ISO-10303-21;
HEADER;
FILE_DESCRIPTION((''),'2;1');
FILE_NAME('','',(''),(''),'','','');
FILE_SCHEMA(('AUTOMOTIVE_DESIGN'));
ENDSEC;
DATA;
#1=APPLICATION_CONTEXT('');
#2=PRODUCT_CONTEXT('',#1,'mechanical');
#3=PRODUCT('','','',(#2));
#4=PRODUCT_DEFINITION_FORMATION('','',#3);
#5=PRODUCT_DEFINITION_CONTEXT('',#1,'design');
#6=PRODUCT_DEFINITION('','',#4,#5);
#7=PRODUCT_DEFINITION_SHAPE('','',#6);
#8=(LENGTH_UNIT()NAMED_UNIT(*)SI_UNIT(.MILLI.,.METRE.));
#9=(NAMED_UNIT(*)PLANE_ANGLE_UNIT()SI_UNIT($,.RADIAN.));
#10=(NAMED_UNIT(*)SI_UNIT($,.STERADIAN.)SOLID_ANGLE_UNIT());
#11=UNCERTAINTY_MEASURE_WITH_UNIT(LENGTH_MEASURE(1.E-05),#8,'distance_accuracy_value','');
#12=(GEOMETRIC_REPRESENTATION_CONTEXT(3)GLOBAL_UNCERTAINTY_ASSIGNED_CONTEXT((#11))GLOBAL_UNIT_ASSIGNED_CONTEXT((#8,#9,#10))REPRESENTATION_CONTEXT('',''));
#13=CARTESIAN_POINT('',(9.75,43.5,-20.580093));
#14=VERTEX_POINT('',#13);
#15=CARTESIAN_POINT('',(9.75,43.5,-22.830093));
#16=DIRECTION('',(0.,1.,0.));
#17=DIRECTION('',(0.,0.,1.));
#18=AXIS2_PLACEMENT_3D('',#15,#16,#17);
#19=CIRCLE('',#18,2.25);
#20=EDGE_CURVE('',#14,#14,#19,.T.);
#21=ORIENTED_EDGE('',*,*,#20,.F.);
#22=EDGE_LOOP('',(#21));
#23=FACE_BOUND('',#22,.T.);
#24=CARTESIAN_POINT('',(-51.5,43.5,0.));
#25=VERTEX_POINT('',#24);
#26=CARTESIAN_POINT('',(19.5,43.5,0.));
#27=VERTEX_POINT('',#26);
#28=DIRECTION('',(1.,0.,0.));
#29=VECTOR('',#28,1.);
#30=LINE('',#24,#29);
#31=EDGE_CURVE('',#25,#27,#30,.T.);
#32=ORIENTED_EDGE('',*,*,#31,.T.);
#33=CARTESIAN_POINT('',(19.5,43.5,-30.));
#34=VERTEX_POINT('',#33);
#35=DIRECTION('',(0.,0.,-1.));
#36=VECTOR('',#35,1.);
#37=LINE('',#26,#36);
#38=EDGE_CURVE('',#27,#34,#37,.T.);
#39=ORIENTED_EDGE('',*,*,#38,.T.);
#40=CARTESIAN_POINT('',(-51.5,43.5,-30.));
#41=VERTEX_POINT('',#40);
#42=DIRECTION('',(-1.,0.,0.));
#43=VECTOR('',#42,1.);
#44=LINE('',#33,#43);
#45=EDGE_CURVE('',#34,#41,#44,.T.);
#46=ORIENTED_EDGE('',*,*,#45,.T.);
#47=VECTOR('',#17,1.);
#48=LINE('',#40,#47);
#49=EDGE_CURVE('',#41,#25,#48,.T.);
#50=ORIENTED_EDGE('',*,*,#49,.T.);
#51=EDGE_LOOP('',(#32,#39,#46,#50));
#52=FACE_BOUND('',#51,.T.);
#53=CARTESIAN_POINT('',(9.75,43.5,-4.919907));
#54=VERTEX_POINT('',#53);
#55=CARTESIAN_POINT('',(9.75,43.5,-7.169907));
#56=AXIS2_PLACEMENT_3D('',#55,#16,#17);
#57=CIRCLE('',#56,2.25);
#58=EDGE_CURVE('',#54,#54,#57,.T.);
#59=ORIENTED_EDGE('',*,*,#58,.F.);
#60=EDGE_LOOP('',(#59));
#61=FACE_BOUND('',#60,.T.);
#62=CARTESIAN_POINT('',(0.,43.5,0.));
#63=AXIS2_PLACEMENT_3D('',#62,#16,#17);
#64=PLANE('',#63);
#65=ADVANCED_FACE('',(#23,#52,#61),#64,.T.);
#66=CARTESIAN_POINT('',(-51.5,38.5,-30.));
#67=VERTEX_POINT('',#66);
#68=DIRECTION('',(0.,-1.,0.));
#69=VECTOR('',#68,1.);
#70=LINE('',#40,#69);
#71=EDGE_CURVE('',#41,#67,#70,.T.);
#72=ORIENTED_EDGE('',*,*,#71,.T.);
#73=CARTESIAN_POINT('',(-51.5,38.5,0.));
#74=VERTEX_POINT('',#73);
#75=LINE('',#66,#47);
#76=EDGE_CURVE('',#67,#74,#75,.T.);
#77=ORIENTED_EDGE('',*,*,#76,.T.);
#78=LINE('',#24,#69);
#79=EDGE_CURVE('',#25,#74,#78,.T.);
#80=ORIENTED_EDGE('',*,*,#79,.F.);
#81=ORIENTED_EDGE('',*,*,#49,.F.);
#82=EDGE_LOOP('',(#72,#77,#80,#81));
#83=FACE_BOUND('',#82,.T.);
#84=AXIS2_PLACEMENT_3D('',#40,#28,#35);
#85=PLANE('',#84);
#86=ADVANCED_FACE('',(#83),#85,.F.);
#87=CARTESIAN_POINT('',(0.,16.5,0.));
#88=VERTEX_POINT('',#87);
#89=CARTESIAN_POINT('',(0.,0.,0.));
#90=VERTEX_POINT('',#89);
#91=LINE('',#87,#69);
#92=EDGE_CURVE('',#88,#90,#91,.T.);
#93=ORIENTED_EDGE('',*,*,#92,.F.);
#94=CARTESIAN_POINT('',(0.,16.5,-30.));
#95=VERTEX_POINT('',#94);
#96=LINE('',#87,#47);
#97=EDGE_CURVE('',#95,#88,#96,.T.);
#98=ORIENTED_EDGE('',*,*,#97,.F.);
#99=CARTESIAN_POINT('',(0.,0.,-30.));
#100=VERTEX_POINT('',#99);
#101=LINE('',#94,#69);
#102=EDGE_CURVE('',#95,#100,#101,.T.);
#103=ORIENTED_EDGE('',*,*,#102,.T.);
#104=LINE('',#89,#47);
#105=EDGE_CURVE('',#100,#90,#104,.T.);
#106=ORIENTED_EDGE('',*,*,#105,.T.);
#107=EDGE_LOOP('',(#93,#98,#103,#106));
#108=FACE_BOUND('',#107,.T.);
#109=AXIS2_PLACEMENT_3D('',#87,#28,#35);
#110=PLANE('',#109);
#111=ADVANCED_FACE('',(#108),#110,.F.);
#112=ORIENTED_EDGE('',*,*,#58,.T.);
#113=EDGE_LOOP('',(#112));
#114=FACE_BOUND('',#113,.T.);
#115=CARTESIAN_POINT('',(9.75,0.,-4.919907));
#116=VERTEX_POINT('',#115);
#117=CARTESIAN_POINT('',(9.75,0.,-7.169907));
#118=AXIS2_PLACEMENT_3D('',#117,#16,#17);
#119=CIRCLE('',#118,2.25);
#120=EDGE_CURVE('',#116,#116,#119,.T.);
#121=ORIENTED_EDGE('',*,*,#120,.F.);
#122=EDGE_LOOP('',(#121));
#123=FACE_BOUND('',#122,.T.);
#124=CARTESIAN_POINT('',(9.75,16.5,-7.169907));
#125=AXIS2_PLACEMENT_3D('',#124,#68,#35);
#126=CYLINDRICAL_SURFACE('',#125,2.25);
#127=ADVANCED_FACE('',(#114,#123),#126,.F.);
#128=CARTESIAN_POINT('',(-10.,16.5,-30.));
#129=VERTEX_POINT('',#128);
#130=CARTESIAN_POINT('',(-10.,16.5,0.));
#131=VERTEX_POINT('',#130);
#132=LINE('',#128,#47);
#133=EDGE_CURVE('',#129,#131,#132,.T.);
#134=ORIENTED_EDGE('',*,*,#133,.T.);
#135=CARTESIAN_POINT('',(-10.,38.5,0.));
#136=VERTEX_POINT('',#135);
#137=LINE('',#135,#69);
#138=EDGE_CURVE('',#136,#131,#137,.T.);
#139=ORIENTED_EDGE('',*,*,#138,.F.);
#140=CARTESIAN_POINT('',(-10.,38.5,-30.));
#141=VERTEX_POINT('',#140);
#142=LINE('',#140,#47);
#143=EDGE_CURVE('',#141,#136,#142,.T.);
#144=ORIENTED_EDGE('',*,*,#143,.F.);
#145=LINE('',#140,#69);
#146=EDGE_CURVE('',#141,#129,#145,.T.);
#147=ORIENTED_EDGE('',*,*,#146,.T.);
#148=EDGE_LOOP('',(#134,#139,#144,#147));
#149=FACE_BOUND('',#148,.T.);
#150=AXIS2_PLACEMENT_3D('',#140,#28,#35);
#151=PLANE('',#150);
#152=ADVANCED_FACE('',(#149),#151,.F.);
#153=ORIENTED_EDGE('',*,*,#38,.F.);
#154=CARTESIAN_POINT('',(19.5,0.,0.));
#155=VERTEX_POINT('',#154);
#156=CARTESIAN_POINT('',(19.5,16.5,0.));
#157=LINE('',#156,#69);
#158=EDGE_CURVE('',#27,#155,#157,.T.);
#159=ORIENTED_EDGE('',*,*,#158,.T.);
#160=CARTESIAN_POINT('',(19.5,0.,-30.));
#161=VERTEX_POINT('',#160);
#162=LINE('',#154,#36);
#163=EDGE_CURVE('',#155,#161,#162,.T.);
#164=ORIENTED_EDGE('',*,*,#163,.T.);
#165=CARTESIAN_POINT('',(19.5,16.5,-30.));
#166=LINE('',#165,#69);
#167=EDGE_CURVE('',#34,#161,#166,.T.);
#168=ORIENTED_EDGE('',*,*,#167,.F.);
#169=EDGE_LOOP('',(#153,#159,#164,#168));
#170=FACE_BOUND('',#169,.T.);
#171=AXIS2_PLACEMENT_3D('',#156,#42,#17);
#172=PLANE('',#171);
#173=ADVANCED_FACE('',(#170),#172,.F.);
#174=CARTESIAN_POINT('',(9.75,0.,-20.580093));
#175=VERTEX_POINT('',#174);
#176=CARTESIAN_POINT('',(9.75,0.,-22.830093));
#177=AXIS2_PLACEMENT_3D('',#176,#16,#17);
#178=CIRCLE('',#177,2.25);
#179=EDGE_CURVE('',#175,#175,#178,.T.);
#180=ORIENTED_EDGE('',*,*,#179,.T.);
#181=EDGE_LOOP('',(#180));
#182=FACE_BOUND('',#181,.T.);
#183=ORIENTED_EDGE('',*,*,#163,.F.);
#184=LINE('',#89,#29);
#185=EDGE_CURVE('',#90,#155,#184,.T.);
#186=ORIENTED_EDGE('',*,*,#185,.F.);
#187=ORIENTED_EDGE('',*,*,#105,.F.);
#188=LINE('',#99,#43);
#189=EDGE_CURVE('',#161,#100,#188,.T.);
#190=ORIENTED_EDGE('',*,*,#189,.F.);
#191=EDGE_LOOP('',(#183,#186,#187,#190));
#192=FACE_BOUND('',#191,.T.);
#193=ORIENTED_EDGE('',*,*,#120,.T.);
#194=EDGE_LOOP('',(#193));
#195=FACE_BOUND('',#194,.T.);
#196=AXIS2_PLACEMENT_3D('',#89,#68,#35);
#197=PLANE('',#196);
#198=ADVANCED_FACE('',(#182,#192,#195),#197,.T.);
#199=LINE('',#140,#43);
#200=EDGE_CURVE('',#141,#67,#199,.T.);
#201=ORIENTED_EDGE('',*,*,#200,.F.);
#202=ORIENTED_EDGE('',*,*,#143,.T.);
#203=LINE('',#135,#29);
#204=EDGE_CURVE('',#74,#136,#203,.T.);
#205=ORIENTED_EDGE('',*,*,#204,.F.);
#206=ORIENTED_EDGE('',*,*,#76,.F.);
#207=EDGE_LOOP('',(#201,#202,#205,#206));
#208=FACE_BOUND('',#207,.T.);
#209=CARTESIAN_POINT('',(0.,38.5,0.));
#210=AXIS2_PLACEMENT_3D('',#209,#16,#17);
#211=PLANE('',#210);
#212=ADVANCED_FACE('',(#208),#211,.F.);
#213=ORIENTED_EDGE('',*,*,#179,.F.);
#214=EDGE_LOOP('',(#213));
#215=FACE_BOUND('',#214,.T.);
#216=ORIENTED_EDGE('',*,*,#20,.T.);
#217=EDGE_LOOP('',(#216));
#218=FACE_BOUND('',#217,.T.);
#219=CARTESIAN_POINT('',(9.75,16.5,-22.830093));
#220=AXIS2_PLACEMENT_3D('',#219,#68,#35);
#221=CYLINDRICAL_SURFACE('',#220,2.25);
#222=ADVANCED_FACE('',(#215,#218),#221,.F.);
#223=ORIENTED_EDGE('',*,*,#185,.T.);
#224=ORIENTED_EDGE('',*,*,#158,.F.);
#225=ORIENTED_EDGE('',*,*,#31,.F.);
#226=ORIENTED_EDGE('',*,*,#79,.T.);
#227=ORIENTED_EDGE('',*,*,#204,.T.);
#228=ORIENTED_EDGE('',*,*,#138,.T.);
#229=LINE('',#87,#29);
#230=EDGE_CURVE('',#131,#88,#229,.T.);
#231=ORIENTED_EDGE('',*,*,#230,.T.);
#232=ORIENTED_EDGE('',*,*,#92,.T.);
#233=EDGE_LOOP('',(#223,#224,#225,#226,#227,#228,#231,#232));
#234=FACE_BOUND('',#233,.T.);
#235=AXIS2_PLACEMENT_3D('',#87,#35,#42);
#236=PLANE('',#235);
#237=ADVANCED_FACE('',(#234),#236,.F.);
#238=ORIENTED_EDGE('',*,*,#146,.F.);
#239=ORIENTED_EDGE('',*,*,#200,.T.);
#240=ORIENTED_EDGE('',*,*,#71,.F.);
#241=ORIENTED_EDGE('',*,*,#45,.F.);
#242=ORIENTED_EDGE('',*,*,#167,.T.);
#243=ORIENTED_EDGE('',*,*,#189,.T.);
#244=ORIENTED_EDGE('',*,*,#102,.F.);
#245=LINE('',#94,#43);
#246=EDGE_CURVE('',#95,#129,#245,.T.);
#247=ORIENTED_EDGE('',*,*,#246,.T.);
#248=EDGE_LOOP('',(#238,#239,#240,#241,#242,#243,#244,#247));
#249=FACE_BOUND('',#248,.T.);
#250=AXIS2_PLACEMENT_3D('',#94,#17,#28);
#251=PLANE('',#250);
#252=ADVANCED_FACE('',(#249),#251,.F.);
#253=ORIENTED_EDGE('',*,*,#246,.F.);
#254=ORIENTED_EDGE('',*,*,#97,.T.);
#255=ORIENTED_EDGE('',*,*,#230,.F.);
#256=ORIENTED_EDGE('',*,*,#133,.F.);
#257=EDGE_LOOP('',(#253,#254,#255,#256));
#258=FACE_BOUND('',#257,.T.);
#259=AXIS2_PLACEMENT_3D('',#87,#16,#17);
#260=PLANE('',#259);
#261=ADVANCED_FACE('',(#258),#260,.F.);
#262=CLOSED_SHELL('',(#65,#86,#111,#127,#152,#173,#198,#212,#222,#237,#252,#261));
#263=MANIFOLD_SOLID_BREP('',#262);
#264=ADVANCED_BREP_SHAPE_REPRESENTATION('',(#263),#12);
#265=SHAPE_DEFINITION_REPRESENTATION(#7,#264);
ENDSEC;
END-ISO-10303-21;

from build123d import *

# Parameters (mm, degrees)
SKETCH1_W           = 19.5
SKETCH1_H           = 30
SKETCH1_R           = 2.25
BOSS_EXTRUDE1_DEPTH = 16.5
SKETCH2_R           = 2.25
BOSS_EXTRUDE2_DEPTH = 22
SKETCH3_R           = 2.25
BOSS_EXTRUDE3_DEPTH = 5


with BuildPart() as part:
    # Sketch1 → Boss-Extrude1 (new body)
    with BuildSketch(Plane(origin=(0, 0, 0), x_dir=(1, 0, 0), z_dir=(0, 1, 0))):
        with Locations((9.75, 15)):
            Rectangle(SKETCH1_W, SKETCH1_H)
        with Locations(Location((9.75, 22.830092663, 0), (0, 0, 270))):
            Circle(SKETCH1_R, mode=Mode.SUBTRACT)
        with Locations(Location((9.75, 7.169907337, 0), (0, 0, 270))):
            Circle(SKETCH1_R, mode=Mode.SUBTRACT)
    extrude(amount=BOSS_EXTRUDE1_DEPTH)

    # Sketch2 → Boss-Extrude2 (add)
    with BuildSketch(Plane(origin=(0, 16.5, 0), x_dir=(1, 0, 0), z_dir=(0, 1, 0))):
        Polygon((0, 30), (-10, 30), (-10, 0), (0, 0), (19.5, 0), (19.5, 30), align=None)
        with Locations(Location((9.75, 22.830092663, 0), (0, 0, 270))):
            Circle(SKETCH2_R, mode=Mode.SUBTRACT)
        with Locations(Location((9.75, 7.169907337, 0), (0, 0, 270))):
            Circle(SKETCH2_R, mode=Mode.SUBTRACT)
    extrude(amount=BOSS_EXTRUDE2_DEPTH)

    # Sketch3 → Boss-Extrude3 (add)
    with BuildSketch(Plane(origin=(0, 38.5, 0), x_dir=(1, 0, 0), z_dir=(0, 1, 0))):
        Polygon((-10, 30), (-51.5, 30), (-51.5, 0), (-10, 0), (19.5, 0), (19.5, 30), align=None)
        with Locations(Location((9.75, 22.830092663, 0), (0, 0, 270))):
            Circle(SKETCH3_R, mode=Mode.SUBTRACT)
        with Locations(Location((9.75, 7.169907337, 0), (0, 0, 270))):
            Circle(SKETCH3_R, mode=Mode.SUBTRACT)
    extrude(amount=BOSS_EXTRUDE3_DEPTH)


solid = part.part
